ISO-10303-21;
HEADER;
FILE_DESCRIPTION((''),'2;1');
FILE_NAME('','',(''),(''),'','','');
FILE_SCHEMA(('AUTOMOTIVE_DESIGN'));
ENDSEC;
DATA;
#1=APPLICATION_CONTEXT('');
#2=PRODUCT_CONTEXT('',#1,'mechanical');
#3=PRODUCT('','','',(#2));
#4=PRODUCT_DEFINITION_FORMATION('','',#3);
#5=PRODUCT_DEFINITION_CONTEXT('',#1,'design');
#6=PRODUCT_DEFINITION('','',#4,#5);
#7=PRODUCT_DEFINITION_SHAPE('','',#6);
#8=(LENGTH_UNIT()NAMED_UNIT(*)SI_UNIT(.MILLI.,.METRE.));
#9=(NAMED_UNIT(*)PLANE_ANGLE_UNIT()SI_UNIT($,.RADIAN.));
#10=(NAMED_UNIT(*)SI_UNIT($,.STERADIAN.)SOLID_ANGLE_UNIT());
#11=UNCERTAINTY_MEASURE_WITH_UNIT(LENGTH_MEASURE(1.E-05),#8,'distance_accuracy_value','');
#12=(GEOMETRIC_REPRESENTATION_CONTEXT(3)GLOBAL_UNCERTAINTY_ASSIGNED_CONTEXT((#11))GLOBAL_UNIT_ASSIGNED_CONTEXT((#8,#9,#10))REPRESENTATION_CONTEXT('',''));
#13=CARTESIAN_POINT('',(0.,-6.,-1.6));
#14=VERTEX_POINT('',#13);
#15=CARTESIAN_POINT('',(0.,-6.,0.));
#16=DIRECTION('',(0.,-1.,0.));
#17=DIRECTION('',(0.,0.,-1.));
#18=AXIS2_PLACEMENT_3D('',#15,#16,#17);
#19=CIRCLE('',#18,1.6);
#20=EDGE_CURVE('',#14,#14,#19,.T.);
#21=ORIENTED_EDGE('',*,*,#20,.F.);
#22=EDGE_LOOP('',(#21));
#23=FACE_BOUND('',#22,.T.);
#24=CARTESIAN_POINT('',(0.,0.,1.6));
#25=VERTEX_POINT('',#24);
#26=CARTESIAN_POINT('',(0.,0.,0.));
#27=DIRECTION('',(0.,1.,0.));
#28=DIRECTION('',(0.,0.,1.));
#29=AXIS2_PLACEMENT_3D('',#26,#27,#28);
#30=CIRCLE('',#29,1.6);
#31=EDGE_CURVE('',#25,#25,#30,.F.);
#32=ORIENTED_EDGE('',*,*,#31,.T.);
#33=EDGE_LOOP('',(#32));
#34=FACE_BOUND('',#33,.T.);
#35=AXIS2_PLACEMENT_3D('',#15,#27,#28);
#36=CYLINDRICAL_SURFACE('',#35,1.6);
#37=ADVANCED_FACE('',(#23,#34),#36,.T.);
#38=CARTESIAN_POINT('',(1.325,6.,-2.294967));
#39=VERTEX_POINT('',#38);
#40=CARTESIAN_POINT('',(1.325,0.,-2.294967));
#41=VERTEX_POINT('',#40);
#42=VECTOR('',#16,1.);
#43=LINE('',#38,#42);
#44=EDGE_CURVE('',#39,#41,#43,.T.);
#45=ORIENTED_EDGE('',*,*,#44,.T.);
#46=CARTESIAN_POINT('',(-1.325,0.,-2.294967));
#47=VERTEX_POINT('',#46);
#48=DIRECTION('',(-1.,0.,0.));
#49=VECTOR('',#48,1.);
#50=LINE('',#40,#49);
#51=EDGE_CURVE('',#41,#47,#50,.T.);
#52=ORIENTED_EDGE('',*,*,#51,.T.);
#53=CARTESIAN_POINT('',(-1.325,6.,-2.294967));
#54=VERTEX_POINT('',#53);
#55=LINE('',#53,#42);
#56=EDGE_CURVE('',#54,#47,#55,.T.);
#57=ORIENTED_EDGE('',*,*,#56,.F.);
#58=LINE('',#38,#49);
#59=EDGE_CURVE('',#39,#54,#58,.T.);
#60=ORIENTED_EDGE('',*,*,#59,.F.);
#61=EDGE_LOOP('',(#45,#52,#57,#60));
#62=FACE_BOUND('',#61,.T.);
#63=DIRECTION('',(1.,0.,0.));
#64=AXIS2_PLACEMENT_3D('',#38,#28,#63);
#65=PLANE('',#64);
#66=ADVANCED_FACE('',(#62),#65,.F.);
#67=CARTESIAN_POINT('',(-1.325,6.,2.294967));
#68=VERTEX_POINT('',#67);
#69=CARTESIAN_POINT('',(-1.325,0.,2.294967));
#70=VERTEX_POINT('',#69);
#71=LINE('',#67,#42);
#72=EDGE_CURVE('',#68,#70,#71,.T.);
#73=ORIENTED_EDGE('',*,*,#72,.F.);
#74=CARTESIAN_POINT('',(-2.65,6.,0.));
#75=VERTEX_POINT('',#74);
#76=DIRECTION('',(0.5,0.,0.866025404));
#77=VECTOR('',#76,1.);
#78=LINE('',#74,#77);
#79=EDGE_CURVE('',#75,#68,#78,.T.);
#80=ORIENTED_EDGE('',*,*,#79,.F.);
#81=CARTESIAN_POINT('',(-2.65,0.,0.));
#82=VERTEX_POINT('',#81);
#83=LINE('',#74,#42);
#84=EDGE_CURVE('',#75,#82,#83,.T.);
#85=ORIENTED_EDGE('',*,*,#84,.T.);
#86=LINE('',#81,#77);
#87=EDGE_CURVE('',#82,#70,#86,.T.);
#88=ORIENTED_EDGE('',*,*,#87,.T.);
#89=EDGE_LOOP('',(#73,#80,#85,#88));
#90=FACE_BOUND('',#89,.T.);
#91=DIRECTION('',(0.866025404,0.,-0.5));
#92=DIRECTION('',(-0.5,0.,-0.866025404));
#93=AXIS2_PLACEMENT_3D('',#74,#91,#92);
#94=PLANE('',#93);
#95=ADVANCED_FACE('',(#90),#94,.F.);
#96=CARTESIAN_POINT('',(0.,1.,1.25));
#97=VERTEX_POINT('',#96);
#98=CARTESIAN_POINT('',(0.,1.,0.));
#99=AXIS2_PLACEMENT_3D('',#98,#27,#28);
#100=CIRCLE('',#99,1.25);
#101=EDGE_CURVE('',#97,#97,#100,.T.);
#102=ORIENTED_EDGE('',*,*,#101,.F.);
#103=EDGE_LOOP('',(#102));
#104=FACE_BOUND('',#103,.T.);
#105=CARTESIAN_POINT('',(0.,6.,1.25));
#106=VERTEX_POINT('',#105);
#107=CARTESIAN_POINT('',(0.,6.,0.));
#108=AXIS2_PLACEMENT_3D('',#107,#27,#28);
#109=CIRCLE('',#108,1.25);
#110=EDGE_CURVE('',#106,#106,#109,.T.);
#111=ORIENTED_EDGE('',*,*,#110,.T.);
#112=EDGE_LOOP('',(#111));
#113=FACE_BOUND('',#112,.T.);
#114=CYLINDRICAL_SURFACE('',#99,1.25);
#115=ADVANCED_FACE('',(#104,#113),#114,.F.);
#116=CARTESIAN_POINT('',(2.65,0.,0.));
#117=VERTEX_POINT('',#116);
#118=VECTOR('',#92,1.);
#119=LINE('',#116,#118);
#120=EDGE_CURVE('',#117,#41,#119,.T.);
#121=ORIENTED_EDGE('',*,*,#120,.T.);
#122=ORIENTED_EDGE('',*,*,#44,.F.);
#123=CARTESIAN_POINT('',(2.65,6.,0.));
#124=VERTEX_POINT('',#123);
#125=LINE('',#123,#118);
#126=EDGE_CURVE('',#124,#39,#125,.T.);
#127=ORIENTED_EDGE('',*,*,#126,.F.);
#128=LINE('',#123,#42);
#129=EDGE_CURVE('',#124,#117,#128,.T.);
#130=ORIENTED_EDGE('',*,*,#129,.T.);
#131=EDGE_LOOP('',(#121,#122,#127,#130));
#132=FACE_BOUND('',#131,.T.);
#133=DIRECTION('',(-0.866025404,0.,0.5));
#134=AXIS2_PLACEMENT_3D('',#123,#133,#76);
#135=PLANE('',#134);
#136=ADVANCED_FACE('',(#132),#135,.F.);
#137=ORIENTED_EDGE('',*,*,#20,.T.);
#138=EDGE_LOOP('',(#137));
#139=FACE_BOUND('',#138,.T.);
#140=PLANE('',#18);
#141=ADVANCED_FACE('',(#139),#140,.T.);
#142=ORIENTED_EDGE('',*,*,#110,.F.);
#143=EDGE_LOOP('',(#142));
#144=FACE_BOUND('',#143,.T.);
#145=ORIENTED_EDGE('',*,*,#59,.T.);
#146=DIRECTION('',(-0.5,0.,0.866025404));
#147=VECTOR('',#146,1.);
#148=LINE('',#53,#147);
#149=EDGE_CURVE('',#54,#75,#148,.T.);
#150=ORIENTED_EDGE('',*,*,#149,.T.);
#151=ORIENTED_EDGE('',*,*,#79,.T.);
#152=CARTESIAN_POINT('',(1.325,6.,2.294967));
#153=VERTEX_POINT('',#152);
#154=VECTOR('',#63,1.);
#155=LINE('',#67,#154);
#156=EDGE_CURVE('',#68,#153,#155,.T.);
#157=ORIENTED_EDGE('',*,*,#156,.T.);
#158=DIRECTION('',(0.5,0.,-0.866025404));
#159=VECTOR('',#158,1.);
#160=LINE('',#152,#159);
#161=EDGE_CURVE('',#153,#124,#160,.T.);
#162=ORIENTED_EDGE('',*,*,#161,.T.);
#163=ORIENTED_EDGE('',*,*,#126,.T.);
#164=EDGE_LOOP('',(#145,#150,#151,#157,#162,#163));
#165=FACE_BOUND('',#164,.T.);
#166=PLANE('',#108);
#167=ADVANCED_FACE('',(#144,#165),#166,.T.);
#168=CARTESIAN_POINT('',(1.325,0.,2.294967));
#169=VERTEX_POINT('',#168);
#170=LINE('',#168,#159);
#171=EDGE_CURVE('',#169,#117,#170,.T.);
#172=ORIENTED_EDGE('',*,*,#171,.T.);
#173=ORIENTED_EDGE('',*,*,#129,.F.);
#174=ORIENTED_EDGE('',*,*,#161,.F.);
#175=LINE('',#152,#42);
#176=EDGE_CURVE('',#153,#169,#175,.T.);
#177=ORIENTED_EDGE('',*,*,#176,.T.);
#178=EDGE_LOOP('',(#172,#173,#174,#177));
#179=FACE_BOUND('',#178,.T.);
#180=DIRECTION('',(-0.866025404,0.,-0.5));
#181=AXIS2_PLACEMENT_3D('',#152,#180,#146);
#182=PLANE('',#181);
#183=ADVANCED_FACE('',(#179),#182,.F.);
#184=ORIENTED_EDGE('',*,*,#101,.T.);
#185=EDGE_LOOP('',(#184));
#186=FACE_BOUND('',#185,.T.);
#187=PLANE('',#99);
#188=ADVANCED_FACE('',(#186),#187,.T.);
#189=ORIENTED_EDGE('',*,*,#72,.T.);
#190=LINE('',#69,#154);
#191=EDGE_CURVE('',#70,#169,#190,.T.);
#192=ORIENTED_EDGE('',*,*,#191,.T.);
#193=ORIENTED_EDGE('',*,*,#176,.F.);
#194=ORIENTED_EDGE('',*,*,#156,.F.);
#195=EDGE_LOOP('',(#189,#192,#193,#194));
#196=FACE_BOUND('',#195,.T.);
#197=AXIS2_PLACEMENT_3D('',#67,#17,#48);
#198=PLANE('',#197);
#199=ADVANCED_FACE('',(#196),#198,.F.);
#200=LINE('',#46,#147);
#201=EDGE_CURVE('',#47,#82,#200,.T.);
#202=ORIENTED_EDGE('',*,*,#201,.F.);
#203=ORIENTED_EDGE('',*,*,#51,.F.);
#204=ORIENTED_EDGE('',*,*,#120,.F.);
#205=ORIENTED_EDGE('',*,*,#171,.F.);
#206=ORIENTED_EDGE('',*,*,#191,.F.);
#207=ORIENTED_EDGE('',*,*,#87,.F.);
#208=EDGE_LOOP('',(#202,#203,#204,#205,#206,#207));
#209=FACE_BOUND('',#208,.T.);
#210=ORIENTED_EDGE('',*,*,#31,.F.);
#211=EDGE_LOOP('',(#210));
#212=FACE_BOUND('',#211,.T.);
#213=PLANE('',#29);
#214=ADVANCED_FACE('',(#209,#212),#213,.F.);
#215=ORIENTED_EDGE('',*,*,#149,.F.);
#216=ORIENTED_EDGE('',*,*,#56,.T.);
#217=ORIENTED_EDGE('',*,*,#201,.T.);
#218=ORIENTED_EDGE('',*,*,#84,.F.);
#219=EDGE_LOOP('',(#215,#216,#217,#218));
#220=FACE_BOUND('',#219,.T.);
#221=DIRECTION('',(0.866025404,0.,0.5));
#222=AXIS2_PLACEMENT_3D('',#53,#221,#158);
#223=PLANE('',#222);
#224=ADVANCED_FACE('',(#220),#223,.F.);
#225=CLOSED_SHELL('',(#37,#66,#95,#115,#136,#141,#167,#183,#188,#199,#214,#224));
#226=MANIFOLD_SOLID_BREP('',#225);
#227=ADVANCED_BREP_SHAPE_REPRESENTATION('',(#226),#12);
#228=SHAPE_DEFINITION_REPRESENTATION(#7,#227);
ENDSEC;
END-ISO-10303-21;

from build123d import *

# Parameters (mm, degrees)
EXTRUDE_1_DEPTH     = 6
SKETCH_6_R          = 1.6
EXTRUDE_2_DEPTH     = 6
SKETCH_7_R          = 1.25
CUT_EXTRUDE_1_DEPTH = 5


with BuildPart() as part:
    # 草图4 → 凸台-拉伸1 (new body)
    with BuildSketch(Plane(origin=(0, 0, 0), x_dir=(1, 0, 0), z_dir=(0, 1, 0))):
        Polygon((1.325, -2.29496732), (2.65, 0), (1.325, 2.29496732), (-1.325, 2.29496732), (-2.65, 0), (-1.325, -2.29496732), align=None)
    extrude(amount=EXTRUDE_1_DEPTH)

    # 草图6 → 凸台-拉伸2 (add)
    with BuildSketch(Plane(origin=(0, 0, 0), x_dir=(-1, 0, 0), z_dir=(0, -1, 0))):
        with Locations(Location((0, 0, 0), (0, 0, 270))):
            Circle(SKETCH_6_R)
    extrude(amount=EXTRUDE_2_DEPTH)

    # 草图7 → 切除-拉伸1 (cut)
    with BuildSketch(Plane(origin=(0, 6, 0), x_dir=(1, 0, 0), z_dir=(0, 1, 0))):
        with Locations(Location((0, 0, 0), (0, 0, 270))):
            Circle(SKETCH_7_R)
    extrude(amount=-CUT_EXTRUDE_1_DEPTH, mode=Mode.SUBTRACT)


solid = part.part
